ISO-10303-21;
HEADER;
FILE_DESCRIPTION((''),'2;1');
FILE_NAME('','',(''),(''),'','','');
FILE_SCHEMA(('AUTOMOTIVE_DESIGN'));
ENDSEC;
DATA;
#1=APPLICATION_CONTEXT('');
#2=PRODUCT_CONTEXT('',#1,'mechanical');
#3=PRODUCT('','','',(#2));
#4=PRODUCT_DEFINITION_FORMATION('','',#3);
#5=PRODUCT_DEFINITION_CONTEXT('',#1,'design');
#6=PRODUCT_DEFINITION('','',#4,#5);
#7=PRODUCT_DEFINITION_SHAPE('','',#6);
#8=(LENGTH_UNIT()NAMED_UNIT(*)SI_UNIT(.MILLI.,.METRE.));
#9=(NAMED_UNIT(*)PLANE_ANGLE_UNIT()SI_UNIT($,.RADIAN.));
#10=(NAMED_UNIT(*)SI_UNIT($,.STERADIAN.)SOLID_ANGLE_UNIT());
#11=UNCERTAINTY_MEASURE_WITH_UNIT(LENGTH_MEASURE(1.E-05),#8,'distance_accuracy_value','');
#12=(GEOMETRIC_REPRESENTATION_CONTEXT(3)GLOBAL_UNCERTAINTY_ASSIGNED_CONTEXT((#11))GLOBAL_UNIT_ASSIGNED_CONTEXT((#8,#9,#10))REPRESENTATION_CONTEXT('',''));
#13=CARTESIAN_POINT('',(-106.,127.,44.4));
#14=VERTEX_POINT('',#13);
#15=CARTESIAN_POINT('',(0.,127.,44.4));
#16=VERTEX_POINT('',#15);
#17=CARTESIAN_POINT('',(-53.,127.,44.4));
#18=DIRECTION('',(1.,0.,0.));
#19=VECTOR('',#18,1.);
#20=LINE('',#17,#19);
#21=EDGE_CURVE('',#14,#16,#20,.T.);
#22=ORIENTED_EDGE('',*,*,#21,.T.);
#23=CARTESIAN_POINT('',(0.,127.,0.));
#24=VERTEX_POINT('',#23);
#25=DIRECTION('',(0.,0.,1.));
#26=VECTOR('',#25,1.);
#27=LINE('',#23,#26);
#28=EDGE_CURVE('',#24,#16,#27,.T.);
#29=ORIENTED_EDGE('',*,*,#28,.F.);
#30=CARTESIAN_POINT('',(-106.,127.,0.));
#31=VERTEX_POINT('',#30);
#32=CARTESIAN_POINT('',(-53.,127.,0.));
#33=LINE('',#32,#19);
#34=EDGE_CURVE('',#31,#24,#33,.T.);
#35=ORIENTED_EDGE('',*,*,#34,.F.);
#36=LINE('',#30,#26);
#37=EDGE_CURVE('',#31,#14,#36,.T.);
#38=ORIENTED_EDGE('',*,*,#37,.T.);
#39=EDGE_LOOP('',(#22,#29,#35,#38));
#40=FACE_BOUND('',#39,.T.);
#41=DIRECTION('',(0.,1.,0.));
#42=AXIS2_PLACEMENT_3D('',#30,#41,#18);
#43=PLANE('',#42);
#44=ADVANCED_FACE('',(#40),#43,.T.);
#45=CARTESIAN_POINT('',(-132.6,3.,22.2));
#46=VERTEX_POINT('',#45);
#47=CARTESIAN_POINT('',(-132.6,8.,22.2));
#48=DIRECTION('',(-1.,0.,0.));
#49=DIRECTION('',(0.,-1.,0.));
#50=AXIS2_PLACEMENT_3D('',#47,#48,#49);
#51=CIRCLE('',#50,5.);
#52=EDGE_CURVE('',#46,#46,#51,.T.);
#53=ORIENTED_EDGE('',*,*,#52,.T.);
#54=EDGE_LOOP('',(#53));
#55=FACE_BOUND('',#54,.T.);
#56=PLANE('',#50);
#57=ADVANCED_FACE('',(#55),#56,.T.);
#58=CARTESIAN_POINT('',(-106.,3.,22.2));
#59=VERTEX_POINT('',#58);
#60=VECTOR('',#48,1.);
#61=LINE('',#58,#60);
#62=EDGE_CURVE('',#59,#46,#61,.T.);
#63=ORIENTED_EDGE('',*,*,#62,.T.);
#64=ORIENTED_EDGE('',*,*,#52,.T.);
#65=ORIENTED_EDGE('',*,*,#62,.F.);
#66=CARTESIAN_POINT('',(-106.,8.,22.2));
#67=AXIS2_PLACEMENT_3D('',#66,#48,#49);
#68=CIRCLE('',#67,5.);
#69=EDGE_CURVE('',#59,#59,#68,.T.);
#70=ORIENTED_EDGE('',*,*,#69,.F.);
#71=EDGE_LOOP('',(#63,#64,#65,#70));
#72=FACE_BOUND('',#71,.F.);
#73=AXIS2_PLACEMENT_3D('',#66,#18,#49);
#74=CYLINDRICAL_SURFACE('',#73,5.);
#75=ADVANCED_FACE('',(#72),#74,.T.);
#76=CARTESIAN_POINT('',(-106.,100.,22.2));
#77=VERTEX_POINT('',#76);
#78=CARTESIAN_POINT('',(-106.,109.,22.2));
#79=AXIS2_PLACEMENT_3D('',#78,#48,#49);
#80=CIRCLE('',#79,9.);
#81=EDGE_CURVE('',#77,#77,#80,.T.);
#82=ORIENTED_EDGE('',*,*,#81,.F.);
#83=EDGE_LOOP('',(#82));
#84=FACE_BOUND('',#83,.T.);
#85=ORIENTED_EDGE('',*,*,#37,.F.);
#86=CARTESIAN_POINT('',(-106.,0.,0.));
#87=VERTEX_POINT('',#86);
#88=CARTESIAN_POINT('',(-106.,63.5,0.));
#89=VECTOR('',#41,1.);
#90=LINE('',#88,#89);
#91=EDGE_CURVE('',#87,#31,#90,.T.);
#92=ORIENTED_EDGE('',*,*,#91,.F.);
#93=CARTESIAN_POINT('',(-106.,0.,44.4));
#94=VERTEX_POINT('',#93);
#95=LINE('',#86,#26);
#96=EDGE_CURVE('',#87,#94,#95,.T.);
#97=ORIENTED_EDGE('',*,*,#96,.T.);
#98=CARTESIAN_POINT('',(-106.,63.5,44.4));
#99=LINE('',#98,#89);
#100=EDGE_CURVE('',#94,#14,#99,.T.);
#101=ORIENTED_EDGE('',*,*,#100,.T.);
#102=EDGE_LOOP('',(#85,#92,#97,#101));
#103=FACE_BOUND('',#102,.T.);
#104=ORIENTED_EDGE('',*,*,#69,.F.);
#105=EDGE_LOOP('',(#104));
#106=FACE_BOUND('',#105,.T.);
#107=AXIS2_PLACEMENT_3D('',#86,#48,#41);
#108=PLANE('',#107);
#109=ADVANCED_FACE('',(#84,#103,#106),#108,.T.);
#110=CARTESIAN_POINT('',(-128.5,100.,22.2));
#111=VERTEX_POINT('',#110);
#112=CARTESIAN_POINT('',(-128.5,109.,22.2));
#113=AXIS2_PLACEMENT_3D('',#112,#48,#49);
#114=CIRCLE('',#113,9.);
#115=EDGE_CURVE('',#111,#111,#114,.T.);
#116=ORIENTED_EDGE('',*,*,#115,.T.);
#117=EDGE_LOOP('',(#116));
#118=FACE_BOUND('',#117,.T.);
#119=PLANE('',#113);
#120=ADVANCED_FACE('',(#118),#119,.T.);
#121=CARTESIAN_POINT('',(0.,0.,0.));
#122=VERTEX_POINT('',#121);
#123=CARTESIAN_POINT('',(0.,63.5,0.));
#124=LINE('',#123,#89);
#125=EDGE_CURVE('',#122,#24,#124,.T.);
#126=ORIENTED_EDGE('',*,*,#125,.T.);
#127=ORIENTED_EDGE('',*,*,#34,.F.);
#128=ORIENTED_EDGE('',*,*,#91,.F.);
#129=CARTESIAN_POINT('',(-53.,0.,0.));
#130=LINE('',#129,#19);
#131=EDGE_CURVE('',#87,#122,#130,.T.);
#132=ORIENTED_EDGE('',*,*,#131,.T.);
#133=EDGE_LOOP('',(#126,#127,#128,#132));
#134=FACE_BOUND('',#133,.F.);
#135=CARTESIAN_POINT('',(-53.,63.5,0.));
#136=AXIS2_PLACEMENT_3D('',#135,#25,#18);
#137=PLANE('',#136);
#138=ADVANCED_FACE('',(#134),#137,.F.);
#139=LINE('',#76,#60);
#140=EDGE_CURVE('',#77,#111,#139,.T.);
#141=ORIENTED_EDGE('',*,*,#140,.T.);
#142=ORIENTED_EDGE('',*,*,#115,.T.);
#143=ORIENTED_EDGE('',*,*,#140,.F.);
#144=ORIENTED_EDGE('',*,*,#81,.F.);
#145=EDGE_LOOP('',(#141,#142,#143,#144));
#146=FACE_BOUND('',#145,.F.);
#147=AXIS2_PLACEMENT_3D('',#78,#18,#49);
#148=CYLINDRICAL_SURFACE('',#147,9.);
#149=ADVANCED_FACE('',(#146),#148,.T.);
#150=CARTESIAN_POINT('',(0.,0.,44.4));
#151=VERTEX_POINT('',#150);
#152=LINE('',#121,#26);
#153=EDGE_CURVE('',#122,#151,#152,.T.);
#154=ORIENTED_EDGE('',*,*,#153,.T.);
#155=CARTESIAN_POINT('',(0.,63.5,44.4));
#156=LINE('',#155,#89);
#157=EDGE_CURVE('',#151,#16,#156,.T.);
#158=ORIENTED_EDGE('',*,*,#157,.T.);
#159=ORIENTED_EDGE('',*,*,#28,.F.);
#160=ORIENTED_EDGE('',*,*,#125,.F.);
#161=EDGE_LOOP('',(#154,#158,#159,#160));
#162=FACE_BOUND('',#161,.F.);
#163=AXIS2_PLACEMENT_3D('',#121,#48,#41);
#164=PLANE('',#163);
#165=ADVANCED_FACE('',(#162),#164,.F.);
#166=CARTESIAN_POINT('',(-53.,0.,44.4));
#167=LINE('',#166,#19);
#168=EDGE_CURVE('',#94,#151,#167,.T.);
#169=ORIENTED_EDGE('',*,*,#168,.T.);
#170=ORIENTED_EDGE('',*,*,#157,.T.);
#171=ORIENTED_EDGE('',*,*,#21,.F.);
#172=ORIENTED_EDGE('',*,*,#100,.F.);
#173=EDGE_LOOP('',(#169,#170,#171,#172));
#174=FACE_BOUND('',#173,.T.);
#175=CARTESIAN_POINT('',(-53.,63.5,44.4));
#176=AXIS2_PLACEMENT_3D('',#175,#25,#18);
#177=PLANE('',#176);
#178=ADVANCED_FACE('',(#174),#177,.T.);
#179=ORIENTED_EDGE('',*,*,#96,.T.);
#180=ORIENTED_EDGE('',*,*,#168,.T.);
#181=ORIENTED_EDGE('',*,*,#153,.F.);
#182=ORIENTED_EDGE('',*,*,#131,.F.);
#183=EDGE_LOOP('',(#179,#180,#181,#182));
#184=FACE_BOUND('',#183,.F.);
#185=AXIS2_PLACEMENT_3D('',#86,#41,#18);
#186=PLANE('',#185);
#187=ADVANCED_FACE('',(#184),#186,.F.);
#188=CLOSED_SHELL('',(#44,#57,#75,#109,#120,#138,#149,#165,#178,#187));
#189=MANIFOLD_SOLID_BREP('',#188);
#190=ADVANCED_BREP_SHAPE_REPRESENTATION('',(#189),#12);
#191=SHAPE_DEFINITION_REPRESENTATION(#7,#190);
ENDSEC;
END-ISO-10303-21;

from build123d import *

# Parameters (mm, degrees)
F0_W     = 106
F0_H     = 127
F1_DEPTH = 44.4
F2_R     = 9
F3_DEPTH = 22.5
F2_R_2   = 5
F4_DEPTH = 26.6


with BuildPart() as f1:
    # F0 (on Top) → F1 (new body)
    with BuildSketch(Plane.XY):
        with Locations((-53, 63.5)):
            Rectangle(F0_W, F0_H)
    extrude(amount=F1_DEPTH)

    # F2 (on face) → F3 (join)
    with BuildSketch(Plane(origin=(-106, 0, 0), x_dir=(0, -1, 0), z_dir=(-1, 0, 0))):
        with Locations((-109, 22.2)):
            Circle(F2_R)
    extrude(amount=F3_DEPTH)

    # F2 (on face) → F4 (join)
    with BuildSketch(Plane(origin=(-106, 0, 0), x_dir=(0, -1, 0), z_dir=(-1, 0, 0))):
        with Locations((-8, 22.2)):
            Circle(F2_R_2)
    extrude(amount=F4_DEPTH)


solid = f1.part
